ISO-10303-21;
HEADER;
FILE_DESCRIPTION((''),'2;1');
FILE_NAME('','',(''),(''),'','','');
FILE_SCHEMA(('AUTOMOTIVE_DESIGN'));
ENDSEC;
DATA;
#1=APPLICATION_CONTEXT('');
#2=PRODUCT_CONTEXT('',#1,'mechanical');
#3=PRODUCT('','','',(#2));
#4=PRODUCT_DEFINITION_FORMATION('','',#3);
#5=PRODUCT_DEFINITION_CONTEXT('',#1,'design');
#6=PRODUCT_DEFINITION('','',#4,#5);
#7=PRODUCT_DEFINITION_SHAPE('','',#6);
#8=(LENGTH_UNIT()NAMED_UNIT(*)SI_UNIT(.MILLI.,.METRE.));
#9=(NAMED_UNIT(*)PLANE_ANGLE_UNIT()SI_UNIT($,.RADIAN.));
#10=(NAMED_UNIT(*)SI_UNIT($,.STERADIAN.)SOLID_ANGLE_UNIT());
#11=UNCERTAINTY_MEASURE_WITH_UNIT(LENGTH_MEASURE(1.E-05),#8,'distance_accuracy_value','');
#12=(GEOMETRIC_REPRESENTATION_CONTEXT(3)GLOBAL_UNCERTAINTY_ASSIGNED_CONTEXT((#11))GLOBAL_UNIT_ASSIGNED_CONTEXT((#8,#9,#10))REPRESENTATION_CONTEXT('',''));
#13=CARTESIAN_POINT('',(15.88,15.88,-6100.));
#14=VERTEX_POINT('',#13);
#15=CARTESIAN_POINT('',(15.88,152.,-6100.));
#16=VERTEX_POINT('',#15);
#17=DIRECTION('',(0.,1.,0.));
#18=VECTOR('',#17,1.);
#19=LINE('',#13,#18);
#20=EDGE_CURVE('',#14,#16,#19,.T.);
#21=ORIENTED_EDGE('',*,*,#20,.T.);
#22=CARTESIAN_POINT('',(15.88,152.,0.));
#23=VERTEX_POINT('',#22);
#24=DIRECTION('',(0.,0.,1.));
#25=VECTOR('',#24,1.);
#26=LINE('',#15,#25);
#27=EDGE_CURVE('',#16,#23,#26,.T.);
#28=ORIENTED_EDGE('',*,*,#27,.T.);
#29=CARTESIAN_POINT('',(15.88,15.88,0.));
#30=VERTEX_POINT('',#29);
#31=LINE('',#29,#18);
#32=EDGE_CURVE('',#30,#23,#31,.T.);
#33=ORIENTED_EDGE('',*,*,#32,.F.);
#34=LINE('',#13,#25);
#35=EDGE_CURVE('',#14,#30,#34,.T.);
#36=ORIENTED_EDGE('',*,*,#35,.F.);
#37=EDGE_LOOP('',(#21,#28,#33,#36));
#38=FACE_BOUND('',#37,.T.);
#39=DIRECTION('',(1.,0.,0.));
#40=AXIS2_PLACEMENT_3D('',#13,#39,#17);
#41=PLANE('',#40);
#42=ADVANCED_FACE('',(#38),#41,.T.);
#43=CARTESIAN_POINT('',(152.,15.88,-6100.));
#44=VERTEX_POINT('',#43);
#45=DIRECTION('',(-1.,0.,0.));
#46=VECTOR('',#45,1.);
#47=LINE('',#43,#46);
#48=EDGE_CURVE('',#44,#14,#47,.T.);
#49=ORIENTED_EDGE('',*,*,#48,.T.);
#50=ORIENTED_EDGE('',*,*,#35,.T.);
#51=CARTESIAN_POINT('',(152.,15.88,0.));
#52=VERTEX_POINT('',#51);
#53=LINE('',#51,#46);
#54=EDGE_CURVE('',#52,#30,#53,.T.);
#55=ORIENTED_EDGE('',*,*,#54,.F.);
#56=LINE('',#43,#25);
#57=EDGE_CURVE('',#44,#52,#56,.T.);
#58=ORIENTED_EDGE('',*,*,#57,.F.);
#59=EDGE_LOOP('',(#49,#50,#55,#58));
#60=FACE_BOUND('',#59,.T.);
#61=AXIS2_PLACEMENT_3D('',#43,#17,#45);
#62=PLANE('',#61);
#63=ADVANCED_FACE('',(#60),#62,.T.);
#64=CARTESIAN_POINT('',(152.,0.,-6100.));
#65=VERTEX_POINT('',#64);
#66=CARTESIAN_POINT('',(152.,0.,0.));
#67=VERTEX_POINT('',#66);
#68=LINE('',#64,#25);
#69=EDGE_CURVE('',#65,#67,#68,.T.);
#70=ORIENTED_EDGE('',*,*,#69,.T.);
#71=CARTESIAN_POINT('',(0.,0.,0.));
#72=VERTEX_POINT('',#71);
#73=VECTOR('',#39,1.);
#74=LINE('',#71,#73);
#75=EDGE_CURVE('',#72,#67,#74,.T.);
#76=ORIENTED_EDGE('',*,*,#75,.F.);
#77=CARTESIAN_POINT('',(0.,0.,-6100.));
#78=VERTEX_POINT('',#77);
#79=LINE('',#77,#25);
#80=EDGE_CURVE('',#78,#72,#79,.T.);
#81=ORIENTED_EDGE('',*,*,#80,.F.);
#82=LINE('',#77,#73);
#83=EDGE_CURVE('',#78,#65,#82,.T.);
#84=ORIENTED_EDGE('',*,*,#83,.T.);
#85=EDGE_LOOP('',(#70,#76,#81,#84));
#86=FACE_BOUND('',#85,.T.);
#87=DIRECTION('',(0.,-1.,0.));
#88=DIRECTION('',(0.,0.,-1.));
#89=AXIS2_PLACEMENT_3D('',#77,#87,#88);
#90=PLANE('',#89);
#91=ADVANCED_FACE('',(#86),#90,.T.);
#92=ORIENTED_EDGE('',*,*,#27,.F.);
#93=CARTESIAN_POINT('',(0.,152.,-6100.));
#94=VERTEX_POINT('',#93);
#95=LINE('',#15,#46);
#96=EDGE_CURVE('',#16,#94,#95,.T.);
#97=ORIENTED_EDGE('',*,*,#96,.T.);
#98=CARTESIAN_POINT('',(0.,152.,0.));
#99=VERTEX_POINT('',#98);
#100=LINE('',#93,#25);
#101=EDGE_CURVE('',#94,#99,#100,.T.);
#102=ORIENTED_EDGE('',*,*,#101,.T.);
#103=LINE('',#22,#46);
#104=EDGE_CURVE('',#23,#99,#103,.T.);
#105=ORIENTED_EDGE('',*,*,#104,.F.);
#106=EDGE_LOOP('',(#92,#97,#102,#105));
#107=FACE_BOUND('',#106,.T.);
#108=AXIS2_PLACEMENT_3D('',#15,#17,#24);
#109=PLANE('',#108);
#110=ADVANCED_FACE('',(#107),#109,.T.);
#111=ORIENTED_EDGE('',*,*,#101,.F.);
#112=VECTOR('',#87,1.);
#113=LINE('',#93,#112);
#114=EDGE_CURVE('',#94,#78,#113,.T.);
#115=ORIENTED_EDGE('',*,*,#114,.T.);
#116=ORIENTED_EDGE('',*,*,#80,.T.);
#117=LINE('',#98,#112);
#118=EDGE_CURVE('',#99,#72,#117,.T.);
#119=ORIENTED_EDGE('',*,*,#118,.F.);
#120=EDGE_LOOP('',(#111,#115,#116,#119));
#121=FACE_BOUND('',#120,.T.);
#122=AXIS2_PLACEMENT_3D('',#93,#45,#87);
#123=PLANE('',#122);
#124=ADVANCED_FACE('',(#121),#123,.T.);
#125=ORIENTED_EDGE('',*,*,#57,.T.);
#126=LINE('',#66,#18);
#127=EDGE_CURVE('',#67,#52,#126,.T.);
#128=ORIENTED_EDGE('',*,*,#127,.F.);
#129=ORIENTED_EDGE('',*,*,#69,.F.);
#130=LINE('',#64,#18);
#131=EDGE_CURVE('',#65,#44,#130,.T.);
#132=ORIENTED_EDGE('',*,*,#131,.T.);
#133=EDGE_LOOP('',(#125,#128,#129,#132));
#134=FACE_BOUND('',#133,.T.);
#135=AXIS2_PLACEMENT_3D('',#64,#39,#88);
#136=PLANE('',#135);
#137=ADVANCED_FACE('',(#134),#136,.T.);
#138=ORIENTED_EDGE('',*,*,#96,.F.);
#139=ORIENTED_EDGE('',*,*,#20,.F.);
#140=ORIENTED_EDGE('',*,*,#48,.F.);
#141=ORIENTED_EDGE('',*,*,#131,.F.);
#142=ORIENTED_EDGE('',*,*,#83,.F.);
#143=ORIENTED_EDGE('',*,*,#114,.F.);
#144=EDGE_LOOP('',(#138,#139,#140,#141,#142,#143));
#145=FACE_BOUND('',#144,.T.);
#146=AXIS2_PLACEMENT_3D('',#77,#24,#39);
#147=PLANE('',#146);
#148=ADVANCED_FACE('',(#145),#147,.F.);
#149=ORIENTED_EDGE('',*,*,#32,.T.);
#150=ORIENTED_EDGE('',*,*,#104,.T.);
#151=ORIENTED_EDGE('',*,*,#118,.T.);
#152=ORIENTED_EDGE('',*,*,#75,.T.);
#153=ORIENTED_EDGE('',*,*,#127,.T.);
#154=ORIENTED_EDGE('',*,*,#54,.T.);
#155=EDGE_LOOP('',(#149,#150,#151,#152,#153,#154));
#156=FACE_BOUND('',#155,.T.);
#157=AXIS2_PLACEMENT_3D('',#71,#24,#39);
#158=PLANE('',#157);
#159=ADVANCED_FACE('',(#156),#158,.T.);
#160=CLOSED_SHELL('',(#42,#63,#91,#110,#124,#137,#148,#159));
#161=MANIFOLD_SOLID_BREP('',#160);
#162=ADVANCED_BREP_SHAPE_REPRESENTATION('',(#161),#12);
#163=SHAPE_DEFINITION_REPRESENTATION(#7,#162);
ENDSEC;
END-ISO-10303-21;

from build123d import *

# Parameters (mm, degrees)
SALIENTE_EXTRUIR1_DEPTH = 6100


with BuildPart() as part:
    # Croquis1 → Saliente-Extruir1 (new body)
    with BuildSketch(Plane.XY):
        Polygon((0, 152), (0, 0), (152, 0), (152, 15.88), (15.88, 15.88), (15.88, 152), align=None)
    extrude(amount=-SALIENTE_EXTRUIR1_DEPTH)


solid = part.part
